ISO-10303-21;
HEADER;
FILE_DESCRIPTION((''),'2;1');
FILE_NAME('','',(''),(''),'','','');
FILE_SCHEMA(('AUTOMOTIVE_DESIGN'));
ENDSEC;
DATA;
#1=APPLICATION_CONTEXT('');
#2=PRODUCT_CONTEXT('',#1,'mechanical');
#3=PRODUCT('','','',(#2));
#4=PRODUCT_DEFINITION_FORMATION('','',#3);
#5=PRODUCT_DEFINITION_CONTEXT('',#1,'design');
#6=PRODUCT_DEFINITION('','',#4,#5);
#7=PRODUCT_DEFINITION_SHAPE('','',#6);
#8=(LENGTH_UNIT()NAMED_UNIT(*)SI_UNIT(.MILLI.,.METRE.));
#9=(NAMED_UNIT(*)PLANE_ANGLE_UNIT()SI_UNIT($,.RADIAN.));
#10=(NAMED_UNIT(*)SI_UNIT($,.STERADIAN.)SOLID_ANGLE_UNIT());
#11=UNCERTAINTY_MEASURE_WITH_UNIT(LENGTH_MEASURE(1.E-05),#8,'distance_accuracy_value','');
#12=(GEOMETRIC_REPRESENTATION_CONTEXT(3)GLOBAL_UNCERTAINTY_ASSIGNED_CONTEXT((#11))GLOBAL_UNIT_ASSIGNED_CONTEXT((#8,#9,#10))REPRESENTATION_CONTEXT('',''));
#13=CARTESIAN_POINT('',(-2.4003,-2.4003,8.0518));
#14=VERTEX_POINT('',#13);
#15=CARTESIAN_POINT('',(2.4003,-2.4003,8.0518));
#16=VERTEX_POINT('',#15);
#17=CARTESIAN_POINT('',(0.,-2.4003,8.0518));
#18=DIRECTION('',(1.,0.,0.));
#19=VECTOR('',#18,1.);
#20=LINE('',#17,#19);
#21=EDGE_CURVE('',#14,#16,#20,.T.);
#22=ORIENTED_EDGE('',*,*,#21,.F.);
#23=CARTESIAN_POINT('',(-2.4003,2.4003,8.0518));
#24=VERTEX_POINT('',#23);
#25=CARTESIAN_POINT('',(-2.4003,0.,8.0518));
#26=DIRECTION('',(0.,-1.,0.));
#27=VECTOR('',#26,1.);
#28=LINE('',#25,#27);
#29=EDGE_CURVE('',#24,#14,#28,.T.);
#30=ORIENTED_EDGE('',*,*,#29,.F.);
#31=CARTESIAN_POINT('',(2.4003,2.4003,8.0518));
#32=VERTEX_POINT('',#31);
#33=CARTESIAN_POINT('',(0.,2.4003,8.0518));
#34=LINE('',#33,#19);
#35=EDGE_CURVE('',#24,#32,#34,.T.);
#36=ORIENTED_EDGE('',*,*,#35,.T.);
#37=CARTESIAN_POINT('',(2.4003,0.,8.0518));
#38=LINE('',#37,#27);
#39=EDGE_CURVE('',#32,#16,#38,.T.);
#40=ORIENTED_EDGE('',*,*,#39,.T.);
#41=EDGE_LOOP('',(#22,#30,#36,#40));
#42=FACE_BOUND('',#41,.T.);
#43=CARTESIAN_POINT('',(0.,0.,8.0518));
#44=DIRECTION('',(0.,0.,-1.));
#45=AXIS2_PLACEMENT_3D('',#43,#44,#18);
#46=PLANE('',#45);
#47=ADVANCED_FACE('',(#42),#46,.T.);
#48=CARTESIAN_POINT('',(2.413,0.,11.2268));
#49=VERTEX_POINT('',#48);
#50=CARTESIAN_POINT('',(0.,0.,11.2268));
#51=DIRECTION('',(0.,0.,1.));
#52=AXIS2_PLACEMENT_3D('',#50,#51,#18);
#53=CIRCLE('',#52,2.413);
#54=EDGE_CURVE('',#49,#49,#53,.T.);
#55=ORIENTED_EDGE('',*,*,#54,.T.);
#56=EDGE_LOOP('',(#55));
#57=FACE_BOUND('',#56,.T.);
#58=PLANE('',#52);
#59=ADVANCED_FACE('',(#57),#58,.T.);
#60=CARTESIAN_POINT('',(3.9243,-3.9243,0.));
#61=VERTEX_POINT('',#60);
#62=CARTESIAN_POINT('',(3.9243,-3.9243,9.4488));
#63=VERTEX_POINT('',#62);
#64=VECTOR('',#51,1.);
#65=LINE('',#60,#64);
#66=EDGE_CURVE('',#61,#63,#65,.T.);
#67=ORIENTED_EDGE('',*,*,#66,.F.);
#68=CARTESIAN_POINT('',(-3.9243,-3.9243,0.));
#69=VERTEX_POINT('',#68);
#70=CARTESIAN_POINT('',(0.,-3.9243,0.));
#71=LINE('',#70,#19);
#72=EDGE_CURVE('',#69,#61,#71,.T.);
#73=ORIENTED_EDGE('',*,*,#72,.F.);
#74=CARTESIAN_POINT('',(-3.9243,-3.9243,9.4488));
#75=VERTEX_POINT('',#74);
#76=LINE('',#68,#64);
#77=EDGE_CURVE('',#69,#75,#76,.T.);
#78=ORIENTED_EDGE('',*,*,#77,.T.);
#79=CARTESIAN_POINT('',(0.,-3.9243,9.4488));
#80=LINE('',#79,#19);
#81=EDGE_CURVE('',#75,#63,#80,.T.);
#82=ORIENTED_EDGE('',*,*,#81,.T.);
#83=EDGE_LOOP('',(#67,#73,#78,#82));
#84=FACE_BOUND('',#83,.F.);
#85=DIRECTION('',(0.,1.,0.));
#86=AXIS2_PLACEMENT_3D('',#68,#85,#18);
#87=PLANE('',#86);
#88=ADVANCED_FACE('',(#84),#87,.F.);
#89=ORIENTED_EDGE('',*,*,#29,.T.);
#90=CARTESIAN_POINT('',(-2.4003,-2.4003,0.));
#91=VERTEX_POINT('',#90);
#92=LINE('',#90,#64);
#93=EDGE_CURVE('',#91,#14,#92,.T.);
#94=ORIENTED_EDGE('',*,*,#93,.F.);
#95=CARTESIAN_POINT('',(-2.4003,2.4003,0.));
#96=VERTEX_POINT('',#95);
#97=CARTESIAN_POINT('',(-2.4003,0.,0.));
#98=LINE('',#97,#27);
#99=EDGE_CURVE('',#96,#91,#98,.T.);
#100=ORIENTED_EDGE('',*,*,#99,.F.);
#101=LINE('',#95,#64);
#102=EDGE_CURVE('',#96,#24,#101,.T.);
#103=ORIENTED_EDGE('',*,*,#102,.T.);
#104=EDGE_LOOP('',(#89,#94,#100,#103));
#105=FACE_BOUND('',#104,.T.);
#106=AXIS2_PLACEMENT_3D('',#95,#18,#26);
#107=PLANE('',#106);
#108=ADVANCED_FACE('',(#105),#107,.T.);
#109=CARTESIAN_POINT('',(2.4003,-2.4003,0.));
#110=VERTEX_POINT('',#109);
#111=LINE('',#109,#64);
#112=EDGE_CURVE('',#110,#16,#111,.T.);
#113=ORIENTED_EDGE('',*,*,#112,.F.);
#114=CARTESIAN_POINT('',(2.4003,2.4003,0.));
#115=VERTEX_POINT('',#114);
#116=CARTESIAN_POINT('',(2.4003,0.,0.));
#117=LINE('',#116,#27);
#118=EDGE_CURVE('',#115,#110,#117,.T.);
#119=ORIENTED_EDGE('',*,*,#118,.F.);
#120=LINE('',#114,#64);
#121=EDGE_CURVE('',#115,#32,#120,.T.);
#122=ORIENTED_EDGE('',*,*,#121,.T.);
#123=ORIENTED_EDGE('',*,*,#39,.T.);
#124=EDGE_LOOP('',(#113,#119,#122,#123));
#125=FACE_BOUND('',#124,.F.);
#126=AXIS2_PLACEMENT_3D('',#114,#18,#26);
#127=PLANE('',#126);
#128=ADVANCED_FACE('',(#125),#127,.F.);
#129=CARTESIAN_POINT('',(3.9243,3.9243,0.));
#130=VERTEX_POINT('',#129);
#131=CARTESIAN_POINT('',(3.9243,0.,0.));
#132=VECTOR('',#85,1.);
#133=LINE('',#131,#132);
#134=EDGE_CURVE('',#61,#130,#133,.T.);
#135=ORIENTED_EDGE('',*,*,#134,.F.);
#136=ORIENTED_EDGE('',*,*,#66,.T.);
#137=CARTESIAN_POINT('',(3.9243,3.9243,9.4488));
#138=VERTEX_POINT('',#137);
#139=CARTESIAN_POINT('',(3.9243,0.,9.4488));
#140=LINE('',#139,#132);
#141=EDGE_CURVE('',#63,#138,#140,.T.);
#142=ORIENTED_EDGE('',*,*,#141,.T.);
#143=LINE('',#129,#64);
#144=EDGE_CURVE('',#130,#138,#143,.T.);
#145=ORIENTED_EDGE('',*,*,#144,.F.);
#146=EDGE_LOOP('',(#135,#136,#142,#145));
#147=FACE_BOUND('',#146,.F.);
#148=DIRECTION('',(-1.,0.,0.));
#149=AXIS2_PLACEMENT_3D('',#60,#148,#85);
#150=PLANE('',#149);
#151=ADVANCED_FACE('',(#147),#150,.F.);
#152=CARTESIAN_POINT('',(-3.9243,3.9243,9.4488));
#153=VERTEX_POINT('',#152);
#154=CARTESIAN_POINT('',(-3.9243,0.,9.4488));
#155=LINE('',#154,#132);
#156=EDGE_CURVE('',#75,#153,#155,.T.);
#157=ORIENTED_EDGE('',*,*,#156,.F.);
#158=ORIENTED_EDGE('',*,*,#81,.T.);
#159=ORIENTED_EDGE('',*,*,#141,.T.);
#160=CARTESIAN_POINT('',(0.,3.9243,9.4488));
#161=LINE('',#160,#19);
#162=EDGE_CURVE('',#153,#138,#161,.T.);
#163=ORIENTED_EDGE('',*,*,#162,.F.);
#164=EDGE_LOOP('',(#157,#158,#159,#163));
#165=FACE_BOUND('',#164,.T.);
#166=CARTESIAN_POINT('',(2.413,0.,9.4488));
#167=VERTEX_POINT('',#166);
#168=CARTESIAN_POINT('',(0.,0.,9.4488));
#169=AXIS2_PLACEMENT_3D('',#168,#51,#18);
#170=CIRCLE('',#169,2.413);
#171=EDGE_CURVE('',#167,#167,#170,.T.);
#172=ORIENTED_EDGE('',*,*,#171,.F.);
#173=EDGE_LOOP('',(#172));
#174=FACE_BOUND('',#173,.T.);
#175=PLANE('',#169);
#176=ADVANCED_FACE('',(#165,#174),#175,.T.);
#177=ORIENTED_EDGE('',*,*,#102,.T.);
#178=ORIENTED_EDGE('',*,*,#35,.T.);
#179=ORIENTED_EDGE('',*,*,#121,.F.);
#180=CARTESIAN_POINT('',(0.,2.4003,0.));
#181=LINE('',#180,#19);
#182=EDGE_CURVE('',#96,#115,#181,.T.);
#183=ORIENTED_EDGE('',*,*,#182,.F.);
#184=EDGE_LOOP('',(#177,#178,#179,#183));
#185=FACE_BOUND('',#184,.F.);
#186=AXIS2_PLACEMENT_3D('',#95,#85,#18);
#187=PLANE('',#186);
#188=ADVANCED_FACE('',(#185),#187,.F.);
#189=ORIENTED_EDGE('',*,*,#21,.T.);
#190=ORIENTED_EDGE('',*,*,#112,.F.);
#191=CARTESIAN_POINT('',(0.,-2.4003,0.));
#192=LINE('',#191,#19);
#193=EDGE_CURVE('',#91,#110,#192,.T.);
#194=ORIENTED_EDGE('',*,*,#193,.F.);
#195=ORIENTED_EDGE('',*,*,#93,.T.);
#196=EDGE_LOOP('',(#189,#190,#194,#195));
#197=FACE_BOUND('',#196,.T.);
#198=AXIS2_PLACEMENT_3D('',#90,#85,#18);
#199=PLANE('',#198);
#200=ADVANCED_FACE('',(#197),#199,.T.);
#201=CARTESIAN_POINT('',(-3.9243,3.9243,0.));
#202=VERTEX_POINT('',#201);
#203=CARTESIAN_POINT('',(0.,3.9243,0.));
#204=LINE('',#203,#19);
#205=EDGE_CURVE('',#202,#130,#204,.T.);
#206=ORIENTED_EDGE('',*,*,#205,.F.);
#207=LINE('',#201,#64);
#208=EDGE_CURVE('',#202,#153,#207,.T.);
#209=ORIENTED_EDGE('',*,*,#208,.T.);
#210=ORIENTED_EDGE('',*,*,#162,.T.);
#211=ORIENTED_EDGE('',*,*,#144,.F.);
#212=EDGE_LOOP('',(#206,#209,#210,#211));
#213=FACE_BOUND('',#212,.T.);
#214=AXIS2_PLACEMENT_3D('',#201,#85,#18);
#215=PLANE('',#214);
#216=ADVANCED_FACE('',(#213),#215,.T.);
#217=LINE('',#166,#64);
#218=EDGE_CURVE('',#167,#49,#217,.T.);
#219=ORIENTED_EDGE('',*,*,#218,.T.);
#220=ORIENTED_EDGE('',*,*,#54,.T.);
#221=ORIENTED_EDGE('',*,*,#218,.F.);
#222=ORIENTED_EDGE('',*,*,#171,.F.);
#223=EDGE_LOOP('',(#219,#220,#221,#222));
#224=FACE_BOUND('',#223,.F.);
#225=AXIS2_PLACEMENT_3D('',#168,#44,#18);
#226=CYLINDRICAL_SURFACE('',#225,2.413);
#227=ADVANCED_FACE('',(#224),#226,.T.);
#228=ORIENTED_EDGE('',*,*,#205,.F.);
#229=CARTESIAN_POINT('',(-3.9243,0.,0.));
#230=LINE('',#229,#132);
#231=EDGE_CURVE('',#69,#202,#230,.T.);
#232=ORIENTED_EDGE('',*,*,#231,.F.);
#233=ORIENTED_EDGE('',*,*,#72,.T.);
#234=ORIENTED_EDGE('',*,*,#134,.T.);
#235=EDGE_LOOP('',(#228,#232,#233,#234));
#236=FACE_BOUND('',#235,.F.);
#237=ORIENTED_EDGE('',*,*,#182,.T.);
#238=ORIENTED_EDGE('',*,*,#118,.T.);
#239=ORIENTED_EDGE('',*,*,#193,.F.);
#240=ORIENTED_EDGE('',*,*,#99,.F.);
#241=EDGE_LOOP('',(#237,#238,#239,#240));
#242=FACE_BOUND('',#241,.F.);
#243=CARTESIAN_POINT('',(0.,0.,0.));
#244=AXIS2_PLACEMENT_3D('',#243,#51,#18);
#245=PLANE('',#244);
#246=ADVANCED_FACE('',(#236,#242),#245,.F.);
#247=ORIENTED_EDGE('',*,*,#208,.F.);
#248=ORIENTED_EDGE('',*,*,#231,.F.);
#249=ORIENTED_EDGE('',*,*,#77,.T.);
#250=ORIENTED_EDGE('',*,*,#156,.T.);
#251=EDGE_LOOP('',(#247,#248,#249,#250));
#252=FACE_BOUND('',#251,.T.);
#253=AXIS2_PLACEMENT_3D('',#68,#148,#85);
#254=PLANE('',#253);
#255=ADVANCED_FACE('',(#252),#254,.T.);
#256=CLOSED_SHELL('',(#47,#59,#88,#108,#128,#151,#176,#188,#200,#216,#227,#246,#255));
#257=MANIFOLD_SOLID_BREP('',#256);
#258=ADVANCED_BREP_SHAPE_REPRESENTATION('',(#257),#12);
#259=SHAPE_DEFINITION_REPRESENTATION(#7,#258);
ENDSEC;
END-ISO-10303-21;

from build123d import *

# Parameters (mm, degrees)
F0_W     = 7.8486
F0_H     = 7.8486
F1_DEPTH = 9.4488
F2_R     = 2.413
F3_DEPTH = 1.778
F4_W     = 4.8006
F4_H     = 4.8006
F5_DEPTH = 8.0518


with BuildPart() as f1:
    # F0 (on Top) → F1 (new body)
    with BuildSketch(Plane.XY):
        Rectangle(F0_W, F0_H)
    extrude(amount=F1_DEPTH)

    # F2 (on face) → F3 (join)
    with BuildSketch(Plane.XY.offset(9.4488)):
        Circle(F2_R)
    extrude(amount=F3_DEPTH)

    # F4 (on face) → F5 (cut)
    with BuildSketch(Plane(origin=(0, 0, 0), x_dir=(1, 0, 0), z_dir=(0, 0, -1))):
        Rectangle(F4_W, F4_H)
    extrude(amount=-F5_DEPTH, mode=Mode.SUBTRACT)


solid = f1.part
